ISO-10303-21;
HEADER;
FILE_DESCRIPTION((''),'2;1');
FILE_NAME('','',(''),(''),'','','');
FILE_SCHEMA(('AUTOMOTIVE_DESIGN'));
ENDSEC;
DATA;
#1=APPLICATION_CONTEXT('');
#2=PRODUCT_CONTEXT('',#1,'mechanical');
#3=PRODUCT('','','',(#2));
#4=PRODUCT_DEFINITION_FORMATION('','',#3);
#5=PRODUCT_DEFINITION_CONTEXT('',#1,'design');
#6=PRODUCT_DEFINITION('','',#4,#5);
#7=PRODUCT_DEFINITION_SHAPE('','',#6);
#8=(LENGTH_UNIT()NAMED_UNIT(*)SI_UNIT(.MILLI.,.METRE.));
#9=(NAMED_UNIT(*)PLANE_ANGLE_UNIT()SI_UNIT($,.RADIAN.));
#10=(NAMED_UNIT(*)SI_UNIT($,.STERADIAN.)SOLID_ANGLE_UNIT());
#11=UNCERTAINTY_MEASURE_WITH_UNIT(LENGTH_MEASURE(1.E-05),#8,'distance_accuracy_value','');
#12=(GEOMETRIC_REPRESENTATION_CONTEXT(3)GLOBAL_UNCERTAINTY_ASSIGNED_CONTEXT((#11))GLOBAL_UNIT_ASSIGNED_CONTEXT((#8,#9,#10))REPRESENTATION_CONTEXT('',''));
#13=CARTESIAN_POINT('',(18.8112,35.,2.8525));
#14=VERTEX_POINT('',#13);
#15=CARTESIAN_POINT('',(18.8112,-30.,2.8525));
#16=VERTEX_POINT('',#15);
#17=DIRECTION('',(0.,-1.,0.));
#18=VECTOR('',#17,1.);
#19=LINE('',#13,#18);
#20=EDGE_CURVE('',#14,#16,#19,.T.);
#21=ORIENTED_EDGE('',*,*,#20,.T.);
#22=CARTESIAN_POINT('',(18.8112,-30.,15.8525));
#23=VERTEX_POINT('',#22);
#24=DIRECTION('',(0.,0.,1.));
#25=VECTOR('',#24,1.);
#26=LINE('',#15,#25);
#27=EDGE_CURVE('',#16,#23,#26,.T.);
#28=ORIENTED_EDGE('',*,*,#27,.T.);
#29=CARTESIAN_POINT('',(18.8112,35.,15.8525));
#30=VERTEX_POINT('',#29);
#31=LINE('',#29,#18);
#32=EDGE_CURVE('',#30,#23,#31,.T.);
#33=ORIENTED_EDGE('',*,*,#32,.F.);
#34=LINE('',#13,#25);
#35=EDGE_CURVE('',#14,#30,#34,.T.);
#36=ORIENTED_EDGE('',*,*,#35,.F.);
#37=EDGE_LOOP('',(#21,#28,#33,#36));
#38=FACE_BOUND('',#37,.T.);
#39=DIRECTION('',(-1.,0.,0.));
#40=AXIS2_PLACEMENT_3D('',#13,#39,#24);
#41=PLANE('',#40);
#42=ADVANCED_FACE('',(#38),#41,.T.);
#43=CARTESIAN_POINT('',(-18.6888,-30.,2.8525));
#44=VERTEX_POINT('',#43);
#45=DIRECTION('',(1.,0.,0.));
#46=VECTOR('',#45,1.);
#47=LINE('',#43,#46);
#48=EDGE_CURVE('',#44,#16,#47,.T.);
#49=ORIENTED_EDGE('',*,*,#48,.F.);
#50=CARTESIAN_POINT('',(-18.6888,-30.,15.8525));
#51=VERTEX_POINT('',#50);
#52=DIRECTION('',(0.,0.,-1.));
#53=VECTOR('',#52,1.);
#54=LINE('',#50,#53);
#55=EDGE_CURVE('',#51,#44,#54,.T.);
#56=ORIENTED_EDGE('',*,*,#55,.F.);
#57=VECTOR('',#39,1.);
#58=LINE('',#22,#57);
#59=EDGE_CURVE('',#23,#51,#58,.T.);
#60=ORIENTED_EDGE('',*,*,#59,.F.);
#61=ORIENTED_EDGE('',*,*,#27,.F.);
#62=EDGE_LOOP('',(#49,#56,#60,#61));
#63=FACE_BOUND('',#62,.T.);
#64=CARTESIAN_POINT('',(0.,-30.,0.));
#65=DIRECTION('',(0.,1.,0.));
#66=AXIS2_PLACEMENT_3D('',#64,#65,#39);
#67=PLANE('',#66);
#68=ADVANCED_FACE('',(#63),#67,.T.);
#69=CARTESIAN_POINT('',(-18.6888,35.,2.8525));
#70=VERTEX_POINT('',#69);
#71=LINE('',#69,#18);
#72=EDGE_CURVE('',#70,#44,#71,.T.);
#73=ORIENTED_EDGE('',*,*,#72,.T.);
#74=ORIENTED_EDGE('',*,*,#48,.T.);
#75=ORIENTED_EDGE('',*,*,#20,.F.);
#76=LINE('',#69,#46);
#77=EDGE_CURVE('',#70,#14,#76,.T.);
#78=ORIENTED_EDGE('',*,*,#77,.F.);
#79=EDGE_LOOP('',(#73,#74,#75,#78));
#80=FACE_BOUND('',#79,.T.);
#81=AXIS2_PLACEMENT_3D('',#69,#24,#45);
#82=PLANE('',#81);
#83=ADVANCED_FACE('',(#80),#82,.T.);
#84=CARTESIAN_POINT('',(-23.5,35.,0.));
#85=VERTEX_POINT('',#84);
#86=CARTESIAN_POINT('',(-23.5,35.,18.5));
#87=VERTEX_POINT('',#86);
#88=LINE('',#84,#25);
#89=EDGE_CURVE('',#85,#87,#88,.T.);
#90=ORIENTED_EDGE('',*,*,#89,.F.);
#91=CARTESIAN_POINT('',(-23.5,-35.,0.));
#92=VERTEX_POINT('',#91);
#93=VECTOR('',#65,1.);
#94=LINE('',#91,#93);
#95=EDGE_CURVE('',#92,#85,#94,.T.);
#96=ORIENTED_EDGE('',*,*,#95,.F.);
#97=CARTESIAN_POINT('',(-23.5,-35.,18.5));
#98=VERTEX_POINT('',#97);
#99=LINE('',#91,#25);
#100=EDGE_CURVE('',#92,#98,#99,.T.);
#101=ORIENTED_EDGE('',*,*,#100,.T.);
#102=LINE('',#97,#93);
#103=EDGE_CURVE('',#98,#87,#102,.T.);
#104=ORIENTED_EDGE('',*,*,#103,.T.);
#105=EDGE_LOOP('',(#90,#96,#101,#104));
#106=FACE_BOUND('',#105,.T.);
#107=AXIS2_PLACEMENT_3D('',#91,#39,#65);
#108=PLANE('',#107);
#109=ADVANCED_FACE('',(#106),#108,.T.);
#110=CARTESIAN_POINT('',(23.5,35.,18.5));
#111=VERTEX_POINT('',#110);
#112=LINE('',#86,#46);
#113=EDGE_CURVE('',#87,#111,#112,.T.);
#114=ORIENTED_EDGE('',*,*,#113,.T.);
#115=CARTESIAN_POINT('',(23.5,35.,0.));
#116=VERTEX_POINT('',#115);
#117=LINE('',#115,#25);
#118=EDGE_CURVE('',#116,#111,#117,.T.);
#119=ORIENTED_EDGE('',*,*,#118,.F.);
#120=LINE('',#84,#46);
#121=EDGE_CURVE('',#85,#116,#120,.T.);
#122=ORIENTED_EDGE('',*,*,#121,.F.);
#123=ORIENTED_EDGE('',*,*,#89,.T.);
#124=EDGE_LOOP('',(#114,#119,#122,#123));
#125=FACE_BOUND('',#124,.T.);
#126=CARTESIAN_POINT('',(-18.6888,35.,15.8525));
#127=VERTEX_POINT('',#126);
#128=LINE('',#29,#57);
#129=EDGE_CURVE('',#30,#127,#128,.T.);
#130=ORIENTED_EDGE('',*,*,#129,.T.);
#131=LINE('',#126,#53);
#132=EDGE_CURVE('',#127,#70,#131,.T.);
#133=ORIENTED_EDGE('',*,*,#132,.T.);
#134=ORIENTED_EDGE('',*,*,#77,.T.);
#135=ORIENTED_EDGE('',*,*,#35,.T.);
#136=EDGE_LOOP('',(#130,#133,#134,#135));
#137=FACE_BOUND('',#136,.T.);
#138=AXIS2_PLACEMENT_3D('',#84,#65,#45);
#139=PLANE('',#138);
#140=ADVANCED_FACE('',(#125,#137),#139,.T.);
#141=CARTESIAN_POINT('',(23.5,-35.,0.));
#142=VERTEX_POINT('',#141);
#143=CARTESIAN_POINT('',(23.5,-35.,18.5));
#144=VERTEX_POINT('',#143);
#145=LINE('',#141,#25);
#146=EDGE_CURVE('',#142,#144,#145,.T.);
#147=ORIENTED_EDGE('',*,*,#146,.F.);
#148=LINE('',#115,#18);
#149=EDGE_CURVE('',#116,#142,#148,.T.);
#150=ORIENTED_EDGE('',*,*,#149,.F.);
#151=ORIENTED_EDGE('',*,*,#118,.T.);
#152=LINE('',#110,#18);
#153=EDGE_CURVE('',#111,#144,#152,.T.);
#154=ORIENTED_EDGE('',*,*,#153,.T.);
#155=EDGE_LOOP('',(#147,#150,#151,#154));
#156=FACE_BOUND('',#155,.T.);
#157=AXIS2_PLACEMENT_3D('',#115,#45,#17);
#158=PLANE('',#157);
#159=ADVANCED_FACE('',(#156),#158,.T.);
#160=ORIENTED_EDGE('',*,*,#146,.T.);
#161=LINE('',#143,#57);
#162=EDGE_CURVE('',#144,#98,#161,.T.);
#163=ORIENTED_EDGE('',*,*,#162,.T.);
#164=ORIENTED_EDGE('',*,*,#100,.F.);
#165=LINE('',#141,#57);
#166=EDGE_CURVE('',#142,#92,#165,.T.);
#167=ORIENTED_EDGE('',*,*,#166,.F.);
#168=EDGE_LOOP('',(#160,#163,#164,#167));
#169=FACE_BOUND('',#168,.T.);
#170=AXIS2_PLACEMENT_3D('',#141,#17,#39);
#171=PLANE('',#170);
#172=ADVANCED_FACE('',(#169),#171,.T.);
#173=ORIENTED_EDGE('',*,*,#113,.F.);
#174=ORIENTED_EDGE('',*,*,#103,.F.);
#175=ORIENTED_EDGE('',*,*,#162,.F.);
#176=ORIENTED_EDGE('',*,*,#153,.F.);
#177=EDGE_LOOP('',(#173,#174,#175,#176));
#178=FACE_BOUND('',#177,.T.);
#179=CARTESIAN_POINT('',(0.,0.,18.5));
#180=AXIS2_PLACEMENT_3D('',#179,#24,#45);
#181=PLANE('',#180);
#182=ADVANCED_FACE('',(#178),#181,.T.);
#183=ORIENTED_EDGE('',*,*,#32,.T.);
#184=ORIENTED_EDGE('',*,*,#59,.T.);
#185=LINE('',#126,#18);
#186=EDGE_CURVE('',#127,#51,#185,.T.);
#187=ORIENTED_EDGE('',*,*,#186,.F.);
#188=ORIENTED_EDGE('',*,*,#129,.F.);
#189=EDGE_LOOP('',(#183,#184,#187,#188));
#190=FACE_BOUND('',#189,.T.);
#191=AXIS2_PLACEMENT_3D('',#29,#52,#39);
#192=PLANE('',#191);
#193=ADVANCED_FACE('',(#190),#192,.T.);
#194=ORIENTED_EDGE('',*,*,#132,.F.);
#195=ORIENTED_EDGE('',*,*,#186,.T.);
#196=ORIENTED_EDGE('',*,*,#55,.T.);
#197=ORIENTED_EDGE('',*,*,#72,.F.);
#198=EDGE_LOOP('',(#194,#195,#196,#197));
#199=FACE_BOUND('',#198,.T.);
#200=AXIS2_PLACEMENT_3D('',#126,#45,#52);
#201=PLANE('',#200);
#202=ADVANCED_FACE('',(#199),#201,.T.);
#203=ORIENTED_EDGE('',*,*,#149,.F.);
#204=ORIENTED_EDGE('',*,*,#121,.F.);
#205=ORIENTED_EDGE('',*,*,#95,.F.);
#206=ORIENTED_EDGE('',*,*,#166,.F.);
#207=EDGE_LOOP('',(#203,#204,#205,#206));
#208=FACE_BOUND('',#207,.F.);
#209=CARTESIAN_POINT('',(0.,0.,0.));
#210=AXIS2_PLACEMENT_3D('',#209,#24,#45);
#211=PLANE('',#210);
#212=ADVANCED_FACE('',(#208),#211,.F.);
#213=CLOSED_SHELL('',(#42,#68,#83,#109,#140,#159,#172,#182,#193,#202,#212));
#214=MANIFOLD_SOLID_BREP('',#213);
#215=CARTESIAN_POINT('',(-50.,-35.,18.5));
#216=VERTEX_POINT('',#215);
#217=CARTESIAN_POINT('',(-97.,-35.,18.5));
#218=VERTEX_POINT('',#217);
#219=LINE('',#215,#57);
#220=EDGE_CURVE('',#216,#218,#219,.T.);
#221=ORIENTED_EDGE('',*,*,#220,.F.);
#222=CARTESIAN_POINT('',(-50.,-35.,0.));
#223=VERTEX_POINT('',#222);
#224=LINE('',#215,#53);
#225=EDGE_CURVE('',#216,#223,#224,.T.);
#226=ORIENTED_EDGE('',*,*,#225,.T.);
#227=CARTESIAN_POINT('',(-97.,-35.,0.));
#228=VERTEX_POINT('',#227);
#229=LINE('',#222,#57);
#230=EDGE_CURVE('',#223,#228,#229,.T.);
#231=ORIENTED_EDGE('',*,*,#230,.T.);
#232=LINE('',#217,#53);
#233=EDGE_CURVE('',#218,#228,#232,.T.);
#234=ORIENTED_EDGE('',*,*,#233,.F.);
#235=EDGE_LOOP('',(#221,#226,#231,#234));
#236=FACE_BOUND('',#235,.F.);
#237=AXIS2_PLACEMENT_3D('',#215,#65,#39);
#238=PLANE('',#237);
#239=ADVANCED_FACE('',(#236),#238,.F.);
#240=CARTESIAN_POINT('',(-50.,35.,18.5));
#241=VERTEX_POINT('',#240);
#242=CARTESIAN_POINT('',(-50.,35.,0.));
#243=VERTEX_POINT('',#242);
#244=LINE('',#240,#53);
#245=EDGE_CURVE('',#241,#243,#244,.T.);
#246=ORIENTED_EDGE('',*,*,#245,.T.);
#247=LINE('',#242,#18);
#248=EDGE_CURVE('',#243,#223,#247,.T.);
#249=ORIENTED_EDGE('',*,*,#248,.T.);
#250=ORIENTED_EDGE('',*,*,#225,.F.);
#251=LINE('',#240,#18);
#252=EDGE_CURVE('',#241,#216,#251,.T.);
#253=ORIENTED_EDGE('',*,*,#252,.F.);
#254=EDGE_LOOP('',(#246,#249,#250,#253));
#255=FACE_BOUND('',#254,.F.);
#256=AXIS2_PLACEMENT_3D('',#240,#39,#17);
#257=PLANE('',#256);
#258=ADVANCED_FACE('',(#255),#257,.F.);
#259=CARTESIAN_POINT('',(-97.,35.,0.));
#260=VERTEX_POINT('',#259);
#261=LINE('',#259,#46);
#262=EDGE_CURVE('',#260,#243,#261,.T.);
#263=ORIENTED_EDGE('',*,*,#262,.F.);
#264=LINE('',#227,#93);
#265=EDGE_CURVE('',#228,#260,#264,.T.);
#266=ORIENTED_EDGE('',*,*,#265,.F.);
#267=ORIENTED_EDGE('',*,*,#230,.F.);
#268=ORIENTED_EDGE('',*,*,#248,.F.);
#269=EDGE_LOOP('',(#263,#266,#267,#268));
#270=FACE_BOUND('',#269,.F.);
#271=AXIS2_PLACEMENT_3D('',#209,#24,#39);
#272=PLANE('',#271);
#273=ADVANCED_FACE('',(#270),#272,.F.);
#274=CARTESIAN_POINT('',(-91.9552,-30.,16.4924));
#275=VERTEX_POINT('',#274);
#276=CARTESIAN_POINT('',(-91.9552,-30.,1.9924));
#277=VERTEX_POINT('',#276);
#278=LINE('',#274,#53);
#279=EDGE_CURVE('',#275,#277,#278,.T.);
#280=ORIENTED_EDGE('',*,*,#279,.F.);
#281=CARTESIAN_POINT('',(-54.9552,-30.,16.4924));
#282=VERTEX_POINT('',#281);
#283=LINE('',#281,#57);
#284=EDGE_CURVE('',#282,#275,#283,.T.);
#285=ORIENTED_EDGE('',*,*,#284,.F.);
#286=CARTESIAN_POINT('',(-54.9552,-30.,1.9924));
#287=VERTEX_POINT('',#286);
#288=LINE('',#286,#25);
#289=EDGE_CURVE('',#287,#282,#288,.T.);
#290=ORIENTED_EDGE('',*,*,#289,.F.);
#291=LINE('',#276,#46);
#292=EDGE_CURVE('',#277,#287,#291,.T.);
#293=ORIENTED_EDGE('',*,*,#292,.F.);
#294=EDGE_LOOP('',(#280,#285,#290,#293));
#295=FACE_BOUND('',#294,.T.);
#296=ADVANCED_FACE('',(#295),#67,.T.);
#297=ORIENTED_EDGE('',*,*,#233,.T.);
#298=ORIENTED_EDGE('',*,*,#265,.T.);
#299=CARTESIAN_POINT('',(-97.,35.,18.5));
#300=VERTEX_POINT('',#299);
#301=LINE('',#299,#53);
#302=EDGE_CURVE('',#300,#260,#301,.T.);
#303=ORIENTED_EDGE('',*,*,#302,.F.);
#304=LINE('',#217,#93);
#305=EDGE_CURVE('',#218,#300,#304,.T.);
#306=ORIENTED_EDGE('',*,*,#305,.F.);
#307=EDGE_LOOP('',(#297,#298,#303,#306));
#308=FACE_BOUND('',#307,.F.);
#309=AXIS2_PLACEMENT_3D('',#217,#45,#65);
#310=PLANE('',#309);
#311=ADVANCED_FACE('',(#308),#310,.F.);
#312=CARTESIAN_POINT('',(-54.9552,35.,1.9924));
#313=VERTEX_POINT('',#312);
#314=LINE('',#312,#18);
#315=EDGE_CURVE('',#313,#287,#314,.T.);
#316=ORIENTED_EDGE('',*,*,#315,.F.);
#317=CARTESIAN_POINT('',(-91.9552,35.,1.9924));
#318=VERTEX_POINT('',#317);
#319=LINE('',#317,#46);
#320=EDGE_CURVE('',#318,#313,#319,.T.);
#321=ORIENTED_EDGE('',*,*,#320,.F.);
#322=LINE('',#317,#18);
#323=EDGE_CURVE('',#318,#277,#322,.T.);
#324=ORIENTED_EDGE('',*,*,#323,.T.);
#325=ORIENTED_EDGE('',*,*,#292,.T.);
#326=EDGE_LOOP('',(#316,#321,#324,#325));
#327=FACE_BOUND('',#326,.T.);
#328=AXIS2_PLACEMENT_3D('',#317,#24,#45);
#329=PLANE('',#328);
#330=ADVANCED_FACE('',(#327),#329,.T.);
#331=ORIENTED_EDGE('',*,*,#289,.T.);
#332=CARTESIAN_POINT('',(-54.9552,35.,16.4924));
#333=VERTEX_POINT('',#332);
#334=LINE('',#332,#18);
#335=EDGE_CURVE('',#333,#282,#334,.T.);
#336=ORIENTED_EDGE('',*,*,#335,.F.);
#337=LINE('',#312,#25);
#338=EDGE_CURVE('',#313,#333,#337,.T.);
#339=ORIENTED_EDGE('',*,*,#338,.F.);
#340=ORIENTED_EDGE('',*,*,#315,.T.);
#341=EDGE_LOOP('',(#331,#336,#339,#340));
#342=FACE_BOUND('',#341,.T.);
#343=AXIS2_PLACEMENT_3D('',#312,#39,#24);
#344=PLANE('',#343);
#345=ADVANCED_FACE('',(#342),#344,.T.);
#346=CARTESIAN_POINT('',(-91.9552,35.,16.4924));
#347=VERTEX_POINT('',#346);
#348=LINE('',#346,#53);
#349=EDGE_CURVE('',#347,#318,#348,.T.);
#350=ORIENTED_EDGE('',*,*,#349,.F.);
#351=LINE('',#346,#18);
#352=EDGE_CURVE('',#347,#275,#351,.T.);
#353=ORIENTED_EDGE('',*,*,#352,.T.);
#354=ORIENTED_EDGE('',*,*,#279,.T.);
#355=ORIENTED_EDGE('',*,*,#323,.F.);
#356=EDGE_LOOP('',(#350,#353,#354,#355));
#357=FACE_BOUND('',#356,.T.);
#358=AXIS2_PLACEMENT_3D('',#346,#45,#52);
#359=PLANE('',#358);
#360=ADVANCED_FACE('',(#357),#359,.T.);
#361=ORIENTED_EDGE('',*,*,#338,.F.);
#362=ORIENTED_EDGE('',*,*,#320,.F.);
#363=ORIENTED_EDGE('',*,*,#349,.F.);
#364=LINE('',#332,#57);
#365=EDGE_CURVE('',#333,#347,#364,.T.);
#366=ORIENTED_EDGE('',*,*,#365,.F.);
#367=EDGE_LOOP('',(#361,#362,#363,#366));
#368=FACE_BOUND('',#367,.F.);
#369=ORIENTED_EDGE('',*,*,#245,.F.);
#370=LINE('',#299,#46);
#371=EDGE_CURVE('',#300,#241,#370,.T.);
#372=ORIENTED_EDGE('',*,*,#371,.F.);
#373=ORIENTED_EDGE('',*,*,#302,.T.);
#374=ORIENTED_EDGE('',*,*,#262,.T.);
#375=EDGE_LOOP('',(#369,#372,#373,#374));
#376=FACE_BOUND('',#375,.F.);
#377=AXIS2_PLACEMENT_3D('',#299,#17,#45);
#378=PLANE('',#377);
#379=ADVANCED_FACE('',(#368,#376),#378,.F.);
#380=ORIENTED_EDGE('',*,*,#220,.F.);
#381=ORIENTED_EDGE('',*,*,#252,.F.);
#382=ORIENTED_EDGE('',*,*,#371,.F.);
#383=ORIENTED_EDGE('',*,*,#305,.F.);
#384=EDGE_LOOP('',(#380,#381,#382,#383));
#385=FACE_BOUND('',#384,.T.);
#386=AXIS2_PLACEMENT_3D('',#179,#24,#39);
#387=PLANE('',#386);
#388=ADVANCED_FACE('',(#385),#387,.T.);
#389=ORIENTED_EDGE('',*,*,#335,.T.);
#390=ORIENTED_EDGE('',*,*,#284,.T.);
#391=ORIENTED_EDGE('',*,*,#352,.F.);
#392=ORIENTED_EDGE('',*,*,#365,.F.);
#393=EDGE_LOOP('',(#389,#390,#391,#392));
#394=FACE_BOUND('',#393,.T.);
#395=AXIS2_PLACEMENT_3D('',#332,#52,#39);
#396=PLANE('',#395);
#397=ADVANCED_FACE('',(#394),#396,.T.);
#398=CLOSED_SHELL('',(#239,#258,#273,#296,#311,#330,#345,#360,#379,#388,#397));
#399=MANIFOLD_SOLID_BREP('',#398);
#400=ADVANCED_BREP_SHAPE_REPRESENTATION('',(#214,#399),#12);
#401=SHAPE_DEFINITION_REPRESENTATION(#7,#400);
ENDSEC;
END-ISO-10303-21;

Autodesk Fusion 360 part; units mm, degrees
sketch "Sketch1" plane through (0, 0, 0) normal (0, 0, 1) x (1, 0, 0)
  line L0 (23.5, -35) -> (-23.5, -35)
  line L1 (-23.5, -35) -> (-23.5, 35)
  line L2 (-23.5, 35) -> (23.5, 35)
  line L3 (23.5, 35) -> (23.5, -35)
  line L4 (23.5, -35) -> (-23.5, 35) construction
  line L5 (-23.5, -35) -> (23.5, 35) construction
  dimension "d1" = 70
  dimension "d2" = 47
extrude "Extrude1" add sketch "Sketch1" along normal blind 18.5 makes body 1
sketch "Sketch2" plane through (0, 35, 0) normal (0, 1, 0) x (-1, 0, 0)
  line L0 (-23.5, 0) -> (23.5, 0)
  line L1 (23.5, 0) -> (23.5, 18.5)
  line L2 (23.5, 18.5) -> (-23.5, 18.5)
  line L3 (-23.5, 18.5) -> (-23.5, 0)
  line L4 (18.6888, 2.8525) -> (-18.8112, 2.8525)
  line L5 (-18.8112, 2.8525) -> (-18.8112, 15.8525)
  line L6 (-18.8112, 15.8525) -> (18.6888, 15.8525)
  line L7 (18.6888, 15.8525) -> (18.6888, 2.8525)
  dimension "d5" = 13
  dimension "d6" = 37.5
extrude "Extrude2" cut sketch "Sketch2" against normal blind 65 contours L4 L5 L6 L7 bodies 1
sketch "Sketch3" plane through (0, 0, 18.5) normal (0, 0, 1) x (-1, 0, 0)
  line L0 (-23.5, -35) -> (23.5, -35)
  line L1 (23.5, -35) -> (23.5, 35)
  line L2 (23.5, 35) -> (-23.5, 35)
  line L3 (-23.5, 35) -> (-23.5, -35)
  line L4 (97, -35) -> (50, -35)
  line L5 (50, -35) -> (50, 35)
  line L6 (50, 35) -> (97, 35)
  line L7 (97, 35) -> (97, -35)
  dimension "d9" = 47
  dimension "d10" = 70
extrude "Extrude3" add sketch "Sketch3" against normal blind 18.5 separate body contours L4 L5 L6 L7 makes body 2
sketch "Sketch5" plane through (0, 35, 0) normal (0, 1, 0) x (-1, 0, 0)
  line L0 (97, 18.5) -> (50, 18.5)
  line L1 (50, 18.5) -> (50, 0)
  line L2 (50, 0) -> (97, 0)
  line L3 (97, 0) -> (97, 18.5)
  line L4 (54.9552, 16.4924) -> (91.9552, 16.4924)
  line L5 (91.9552, 16.4924) -> (91.9552, 1.9924)
  line L6 (91.9552, 1.9924) -> (54.9552, 1.9924)
  line L7 (54.9552, 1.9924) -> (54.9552, 16.4924)
  dimension "d13" = 37
  dimension "d14" = 14.5
extrude "Extrude4" cut sketch "Sketch5" against normal blind 65 contours L4 L5 L6 L7 bodies 2
